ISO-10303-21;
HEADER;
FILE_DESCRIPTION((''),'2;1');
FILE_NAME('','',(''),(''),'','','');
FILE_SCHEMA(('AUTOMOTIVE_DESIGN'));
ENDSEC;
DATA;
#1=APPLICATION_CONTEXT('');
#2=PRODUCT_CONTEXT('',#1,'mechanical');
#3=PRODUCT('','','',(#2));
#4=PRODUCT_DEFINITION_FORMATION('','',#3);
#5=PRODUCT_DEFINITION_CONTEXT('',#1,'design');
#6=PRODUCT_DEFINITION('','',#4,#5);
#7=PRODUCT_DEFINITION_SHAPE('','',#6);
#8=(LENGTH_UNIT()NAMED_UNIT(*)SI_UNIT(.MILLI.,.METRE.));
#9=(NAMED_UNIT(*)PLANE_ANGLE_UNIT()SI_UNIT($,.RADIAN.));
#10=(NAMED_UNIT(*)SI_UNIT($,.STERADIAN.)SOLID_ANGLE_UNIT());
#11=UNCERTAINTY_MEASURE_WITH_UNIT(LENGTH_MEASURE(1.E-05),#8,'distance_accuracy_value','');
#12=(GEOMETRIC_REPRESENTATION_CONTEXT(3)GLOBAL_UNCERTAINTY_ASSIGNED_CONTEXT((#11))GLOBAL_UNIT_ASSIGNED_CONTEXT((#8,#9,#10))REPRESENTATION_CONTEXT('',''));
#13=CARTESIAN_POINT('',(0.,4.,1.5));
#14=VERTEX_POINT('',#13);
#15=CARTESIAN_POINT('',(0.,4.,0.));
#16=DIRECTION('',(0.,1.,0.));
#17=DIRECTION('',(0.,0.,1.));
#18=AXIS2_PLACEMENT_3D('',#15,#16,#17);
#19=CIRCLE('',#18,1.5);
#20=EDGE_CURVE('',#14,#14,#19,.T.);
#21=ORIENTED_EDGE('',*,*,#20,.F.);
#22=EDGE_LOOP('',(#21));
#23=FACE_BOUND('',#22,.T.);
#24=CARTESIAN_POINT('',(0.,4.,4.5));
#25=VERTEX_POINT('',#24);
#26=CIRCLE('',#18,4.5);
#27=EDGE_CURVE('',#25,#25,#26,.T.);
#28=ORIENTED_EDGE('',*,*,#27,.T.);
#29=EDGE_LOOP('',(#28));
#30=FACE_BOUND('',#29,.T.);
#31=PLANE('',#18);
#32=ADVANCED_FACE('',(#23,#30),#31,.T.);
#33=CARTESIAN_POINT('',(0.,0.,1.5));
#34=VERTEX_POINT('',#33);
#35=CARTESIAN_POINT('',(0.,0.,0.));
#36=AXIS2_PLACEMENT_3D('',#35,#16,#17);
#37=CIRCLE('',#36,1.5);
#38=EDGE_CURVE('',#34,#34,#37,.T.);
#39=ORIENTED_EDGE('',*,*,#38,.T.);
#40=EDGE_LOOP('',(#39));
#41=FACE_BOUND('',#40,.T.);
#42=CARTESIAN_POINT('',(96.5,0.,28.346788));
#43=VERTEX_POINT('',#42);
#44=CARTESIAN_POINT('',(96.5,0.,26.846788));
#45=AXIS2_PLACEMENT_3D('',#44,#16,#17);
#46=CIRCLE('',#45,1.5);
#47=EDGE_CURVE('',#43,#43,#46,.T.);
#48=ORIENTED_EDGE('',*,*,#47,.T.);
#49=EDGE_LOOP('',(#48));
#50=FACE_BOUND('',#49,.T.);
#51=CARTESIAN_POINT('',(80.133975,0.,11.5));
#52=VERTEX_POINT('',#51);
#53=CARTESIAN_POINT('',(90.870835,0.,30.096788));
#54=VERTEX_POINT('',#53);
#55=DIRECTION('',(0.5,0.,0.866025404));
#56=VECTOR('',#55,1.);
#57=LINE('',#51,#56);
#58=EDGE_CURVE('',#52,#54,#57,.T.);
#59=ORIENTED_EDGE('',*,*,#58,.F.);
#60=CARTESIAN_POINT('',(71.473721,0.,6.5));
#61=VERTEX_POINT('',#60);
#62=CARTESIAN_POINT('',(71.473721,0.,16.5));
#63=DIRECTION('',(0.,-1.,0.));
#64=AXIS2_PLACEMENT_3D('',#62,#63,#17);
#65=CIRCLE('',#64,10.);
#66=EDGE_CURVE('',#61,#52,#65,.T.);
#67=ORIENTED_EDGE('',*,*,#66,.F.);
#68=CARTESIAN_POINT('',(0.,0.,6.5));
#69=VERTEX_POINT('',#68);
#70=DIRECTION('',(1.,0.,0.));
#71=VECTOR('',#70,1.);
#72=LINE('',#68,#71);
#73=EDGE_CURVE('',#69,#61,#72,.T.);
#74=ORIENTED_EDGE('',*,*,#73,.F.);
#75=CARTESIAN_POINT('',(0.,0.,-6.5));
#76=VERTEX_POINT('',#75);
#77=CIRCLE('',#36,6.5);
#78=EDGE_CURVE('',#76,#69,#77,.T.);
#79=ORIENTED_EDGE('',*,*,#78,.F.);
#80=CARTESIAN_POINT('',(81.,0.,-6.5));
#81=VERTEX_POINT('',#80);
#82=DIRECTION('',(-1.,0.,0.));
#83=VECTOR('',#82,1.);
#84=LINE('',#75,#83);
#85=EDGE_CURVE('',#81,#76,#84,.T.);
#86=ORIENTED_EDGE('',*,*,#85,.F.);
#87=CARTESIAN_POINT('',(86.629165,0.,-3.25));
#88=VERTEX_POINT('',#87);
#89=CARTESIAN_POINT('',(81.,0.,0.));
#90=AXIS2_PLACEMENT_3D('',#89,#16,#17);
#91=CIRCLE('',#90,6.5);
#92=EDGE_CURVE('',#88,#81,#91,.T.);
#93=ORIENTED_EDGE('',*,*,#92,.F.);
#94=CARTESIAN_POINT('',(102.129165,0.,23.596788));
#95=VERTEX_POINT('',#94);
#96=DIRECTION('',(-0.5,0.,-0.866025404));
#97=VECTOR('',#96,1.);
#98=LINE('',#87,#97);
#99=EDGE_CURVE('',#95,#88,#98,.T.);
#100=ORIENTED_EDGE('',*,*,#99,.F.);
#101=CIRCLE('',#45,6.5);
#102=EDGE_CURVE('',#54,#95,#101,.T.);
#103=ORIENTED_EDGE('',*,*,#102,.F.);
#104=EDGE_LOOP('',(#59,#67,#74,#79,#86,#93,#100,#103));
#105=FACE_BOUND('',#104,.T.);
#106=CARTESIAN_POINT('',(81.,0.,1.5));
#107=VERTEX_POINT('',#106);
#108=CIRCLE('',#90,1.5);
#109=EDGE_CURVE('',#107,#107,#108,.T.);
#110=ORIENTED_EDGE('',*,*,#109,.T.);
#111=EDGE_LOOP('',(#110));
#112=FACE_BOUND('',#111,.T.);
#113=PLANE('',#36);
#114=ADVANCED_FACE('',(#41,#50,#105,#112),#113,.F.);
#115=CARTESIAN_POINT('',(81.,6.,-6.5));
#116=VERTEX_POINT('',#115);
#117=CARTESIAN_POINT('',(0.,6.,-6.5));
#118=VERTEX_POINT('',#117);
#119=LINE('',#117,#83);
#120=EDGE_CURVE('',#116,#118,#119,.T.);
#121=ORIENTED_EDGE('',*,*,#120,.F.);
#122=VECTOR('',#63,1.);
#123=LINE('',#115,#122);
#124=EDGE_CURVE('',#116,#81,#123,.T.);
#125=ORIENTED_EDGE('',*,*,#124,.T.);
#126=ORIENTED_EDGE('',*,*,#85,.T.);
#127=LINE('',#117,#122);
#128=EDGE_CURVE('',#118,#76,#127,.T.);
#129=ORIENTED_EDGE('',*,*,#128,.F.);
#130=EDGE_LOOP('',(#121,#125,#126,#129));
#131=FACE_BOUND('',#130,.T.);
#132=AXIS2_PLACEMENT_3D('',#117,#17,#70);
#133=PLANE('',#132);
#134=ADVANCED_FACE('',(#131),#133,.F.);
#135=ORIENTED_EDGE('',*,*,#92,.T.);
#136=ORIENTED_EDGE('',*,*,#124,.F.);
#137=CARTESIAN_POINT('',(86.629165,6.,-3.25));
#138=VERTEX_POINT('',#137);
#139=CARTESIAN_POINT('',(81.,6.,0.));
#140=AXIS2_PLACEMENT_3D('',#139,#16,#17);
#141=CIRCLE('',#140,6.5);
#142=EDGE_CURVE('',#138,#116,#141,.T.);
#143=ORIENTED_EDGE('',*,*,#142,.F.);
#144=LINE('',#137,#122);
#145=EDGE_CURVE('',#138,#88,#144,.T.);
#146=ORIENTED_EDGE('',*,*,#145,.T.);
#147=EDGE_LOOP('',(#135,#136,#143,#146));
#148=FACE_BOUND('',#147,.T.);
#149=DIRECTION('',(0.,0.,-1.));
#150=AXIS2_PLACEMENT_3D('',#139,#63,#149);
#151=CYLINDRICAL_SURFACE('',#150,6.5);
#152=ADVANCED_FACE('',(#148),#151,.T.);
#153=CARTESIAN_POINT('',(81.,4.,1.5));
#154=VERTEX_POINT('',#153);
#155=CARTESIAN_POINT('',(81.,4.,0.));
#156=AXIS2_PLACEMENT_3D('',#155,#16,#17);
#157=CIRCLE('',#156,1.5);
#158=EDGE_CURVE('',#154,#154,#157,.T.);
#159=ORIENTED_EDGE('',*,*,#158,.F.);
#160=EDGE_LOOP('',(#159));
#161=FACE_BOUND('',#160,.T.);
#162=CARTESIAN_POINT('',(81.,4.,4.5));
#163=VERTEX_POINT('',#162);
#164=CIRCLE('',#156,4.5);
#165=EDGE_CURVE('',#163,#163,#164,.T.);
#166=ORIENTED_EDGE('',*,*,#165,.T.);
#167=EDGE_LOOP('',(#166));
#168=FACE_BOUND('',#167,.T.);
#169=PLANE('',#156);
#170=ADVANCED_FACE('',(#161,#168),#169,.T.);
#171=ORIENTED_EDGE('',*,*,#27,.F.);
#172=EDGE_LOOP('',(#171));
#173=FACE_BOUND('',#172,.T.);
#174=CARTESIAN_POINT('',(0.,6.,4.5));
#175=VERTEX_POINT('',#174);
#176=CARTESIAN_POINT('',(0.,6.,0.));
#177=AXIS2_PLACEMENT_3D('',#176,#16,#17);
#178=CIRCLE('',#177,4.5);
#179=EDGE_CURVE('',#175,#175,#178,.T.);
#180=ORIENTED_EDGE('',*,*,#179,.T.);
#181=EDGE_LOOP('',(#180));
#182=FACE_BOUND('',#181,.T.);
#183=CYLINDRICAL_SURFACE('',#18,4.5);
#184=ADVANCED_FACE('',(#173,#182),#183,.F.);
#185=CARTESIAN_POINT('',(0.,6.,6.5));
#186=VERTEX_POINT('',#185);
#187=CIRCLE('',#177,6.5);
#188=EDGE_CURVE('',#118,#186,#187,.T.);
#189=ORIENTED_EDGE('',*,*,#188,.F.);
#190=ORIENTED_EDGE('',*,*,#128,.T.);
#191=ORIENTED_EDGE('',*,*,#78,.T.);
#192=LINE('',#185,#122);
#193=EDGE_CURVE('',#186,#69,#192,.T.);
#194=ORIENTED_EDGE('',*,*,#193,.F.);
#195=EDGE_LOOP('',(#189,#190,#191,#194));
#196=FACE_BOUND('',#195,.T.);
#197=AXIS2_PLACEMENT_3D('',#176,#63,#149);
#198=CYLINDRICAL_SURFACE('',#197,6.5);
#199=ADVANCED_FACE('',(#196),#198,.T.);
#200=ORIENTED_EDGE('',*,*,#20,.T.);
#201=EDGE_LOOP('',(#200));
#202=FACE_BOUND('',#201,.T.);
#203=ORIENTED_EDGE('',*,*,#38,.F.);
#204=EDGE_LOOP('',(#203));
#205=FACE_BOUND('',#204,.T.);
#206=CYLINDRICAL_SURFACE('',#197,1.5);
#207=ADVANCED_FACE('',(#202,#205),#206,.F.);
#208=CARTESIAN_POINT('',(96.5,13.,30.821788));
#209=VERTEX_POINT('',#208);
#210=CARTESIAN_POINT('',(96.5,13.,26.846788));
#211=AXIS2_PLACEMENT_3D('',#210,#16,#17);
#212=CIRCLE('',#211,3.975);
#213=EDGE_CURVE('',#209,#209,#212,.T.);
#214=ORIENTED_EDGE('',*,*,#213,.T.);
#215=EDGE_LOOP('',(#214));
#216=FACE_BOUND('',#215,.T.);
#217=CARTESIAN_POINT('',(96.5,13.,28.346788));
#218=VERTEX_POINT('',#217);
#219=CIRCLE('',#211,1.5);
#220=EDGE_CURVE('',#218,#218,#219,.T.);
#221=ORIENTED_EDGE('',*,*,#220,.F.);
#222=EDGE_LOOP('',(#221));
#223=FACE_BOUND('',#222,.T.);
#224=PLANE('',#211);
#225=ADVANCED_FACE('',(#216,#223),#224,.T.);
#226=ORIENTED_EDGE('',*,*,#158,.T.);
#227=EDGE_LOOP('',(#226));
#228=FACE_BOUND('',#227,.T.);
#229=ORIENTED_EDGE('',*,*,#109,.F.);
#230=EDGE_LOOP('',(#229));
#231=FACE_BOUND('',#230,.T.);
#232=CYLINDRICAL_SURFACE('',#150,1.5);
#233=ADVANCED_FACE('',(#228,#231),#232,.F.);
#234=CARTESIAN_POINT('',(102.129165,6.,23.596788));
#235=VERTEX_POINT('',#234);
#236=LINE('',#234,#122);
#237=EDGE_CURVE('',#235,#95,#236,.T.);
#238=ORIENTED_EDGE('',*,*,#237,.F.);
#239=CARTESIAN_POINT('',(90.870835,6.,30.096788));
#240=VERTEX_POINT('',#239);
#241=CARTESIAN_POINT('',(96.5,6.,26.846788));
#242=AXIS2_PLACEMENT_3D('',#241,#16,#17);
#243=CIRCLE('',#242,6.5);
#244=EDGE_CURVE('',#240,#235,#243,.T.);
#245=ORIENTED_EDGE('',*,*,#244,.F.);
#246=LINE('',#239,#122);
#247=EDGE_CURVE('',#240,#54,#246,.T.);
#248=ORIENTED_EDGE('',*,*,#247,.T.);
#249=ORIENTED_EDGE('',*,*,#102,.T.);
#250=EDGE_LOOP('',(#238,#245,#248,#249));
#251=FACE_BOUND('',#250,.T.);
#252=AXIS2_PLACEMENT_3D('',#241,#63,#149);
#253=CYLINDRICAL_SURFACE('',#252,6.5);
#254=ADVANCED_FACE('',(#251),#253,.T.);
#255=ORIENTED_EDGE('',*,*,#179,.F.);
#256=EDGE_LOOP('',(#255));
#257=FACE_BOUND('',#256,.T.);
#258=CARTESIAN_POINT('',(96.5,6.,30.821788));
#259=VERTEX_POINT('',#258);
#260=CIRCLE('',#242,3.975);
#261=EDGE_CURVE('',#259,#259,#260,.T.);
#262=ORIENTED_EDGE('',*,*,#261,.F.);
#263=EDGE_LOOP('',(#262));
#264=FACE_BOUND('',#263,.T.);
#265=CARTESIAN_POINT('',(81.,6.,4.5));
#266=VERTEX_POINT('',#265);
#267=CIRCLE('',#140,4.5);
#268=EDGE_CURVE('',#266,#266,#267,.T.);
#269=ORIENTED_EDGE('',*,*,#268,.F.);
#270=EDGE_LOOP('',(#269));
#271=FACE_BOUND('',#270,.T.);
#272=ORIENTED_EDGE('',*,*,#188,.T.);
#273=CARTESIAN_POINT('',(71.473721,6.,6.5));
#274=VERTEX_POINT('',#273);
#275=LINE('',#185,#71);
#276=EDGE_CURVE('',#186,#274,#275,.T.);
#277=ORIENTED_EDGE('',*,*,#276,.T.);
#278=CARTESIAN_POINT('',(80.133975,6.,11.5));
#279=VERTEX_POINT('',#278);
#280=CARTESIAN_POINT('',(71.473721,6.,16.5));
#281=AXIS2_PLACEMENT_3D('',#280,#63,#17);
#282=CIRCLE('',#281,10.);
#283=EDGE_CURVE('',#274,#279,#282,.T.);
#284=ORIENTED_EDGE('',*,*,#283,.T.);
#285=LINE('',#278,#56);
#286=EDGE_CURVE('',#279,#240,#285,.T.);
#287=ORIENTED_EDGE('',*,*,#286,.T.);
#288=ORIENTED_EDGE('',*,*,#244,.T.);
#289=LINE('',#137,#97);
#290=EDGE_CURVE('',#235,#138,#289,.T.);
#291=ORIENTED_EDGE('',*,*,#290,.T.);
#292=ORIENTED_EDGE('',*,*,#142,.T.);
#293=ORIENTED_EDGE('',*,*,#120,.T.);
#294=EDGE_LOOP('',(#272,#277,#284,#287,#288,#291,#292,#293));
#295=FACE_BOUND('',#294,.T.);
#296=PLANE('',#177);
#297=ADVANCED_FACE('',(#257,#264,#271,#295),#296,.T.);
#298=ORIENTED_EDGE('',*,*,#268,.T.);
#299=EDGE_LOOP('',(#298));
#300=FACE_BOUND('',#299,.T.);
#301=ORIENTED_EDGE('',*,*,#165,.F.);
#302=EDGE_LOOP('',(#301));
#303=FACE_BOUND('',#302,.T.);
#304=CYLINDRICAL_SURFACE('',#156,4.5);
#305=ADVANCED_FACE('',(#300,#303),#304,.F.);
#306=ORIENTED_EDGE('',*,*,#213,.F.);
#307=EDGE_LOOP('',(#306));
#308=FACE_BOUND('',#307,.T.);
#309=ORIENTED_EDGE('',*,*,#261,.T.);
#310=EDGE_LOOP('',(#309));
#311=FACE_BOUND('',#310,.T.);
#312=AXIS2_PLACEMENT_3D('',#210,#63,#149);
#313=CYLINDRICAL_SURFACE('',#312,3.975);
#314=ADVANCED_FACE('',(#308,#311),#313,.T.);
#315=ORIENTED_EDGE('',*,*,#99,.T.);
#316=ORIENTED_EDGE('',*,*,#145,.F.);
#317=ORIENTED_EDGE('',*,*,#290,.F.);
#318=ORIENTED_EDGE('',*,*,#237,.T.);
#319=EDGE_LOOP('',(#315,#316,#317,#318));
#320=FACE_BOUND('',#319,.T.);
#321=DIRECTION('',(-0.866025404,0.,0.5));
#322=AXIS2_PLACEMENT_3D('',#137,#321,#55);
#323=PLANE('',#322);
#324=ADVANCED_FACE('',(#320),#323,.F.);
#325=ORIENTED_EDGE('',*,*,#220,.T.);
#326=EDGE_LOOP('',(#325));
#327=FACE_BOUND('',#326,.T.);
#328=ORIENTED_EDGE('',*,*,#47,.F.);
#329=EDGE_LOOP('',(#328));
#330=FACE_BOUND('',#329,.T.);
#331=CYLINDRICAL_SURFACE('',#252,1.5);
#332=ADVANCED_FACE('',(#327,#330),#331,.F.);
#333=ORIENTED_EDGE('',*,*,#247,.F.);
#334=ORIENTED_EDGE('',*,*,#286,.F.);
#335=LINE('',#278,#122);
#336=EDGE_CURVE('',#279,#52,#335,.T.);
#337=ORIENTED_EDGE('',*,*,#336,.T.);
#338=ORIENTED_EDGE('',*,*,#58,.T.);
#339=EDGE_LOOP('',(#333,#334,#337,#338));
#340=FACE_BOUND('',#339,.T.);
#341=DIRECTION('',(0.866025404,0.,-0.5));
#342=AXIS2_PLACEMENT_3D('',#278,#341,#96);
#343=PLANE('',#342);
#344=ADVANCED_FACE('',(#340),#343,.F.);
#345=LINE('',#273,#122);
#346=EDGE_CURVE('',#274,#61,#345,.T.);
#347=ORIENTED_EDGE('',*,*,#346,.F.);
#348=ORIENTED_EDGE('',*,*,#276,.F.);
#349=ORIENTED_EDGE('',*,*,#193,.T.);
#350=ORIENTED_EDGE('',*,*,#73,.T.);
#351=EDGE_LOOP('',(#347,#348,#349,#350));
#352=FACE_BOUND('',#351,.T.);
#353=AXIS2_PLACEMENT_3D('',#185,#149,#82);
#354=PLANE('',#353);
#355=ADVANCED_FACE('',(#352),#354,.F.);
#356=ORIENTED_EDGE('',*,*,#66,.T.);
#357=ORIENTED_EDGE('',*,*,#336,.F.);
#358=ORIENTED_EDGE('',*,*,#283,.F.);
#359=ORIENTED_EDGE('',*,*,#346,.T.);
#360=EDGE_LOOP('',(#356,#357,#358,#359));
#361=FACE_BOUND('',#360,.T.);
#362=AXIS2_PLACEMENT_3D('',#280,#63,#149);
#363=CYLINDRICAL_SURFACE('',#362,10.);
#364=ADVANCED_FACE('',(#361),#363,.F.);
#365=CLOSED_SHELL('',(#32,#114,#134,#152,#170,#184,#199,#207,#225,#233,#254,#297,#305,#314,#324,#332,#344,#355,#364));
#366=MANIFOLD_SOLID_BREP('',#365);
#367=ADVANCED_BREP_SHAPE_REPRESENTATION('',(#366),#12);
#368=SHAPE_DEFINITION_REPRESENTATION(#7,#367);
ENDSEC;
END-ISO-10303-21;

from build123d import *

# Parameters (mm, degrees)
SKETCH1_R           = 1.5
BOSS_EXTRUDE1_DEPTH = 6
SKETCH2_R           = 4.5
CUT_EXTRUDE1_DEPTH  = 2
SKETCH3_R           = 3.975
SKETCH3_R_2         = 1.5
BOSS_EXTRUDE2_DEPTH = 7


with BuildPart() as part:
    # Sketch1 → Boss-Extrude1 (new body)
    with BuildSketch(Plane(origin=(0, 0, 0), x_dir=(1, 0, 0), z_dir=(0, 1, 0))):
        with BuildLine():
            Line((0, 6.5), (81, 6.5))
            ThreePointArc((81, 6.5), (84.25, 5.629165125), (86.629165125, 3.25))
            Line((86.629165125, 3.25), (102.129165125, -23.596787517))
            ThreePointArc((102.129165125, -23.596787517), (99.75, -32.475952642), (90.870834875, -30.096787517))
            Line((90.870834875, -30.096787517), (80.133974596, -11.5))
            ThreePointArc((80.133974596, -11.5), (76.473720558, -7.839745962), (71.473720558, -6.5))
            Line((71.473720558, -6.5), (0, -6.5))
            ThreePointArc((0, -6.5), (-6.5, 0), (0, 6.5))
        make_face()
        with Locations(Location((0, 0, 0), (0, 0, 270))):
            Circle(SKETCH1_R, mode=Mode.SUBTRACT)
        with Locations(Location((81, 0, 0), (0, 0, 270))):
            Circle(SKETCH1_R, mode=Mode.SUBTRACT)
        with Locations(Location((96.5, -26.846787517, 0), (0, 0, 270))):
            Circle(SKETCH1_R, mode=Mode.SUBTRACT)
    extrude(amount=BOSS_EXTRUDE1_DEPTH)

    # Sketch2 → Cut-Extrude1 (cut)
    with BuildSketch(Plane(origin=(0, 6, 0), x_dir=(1, 0, 0), z_dir=(0, 1, 0))):
        with Locations(Location((0, 0, 0), (0, 0, 270))):
            Circle(SKETCH2_R)
        with Locations(Location((81, 0, 0), (0, 0, 270))):
            Circle(SKETCH2_R)
    extrude(amount=-CUT_EXTRUDE1_DEPTH, mode=Mode.SUBTRACT)

    # Sketch3 → Boss-Extrude2 (add)
    with BuildSketch(Plane(origin=(0, 6, 0), x_dir=(1, 0, 0), z_dir=(0, 1, 0))):
        with Locations(Location((96.5, -26.846787517, 0), (0, 0, 270))):
            Circle(SKETCH3_R)
        with Locations(Location((96.5, -26.846787517, 0), (0, 0, 270))):
            Circle(SKETCH3_R_2, mode=Mode.SUBTRACT)
    extrude(amount=BOSS_EXTRUDE2_DEPTH)


solid = part.part
